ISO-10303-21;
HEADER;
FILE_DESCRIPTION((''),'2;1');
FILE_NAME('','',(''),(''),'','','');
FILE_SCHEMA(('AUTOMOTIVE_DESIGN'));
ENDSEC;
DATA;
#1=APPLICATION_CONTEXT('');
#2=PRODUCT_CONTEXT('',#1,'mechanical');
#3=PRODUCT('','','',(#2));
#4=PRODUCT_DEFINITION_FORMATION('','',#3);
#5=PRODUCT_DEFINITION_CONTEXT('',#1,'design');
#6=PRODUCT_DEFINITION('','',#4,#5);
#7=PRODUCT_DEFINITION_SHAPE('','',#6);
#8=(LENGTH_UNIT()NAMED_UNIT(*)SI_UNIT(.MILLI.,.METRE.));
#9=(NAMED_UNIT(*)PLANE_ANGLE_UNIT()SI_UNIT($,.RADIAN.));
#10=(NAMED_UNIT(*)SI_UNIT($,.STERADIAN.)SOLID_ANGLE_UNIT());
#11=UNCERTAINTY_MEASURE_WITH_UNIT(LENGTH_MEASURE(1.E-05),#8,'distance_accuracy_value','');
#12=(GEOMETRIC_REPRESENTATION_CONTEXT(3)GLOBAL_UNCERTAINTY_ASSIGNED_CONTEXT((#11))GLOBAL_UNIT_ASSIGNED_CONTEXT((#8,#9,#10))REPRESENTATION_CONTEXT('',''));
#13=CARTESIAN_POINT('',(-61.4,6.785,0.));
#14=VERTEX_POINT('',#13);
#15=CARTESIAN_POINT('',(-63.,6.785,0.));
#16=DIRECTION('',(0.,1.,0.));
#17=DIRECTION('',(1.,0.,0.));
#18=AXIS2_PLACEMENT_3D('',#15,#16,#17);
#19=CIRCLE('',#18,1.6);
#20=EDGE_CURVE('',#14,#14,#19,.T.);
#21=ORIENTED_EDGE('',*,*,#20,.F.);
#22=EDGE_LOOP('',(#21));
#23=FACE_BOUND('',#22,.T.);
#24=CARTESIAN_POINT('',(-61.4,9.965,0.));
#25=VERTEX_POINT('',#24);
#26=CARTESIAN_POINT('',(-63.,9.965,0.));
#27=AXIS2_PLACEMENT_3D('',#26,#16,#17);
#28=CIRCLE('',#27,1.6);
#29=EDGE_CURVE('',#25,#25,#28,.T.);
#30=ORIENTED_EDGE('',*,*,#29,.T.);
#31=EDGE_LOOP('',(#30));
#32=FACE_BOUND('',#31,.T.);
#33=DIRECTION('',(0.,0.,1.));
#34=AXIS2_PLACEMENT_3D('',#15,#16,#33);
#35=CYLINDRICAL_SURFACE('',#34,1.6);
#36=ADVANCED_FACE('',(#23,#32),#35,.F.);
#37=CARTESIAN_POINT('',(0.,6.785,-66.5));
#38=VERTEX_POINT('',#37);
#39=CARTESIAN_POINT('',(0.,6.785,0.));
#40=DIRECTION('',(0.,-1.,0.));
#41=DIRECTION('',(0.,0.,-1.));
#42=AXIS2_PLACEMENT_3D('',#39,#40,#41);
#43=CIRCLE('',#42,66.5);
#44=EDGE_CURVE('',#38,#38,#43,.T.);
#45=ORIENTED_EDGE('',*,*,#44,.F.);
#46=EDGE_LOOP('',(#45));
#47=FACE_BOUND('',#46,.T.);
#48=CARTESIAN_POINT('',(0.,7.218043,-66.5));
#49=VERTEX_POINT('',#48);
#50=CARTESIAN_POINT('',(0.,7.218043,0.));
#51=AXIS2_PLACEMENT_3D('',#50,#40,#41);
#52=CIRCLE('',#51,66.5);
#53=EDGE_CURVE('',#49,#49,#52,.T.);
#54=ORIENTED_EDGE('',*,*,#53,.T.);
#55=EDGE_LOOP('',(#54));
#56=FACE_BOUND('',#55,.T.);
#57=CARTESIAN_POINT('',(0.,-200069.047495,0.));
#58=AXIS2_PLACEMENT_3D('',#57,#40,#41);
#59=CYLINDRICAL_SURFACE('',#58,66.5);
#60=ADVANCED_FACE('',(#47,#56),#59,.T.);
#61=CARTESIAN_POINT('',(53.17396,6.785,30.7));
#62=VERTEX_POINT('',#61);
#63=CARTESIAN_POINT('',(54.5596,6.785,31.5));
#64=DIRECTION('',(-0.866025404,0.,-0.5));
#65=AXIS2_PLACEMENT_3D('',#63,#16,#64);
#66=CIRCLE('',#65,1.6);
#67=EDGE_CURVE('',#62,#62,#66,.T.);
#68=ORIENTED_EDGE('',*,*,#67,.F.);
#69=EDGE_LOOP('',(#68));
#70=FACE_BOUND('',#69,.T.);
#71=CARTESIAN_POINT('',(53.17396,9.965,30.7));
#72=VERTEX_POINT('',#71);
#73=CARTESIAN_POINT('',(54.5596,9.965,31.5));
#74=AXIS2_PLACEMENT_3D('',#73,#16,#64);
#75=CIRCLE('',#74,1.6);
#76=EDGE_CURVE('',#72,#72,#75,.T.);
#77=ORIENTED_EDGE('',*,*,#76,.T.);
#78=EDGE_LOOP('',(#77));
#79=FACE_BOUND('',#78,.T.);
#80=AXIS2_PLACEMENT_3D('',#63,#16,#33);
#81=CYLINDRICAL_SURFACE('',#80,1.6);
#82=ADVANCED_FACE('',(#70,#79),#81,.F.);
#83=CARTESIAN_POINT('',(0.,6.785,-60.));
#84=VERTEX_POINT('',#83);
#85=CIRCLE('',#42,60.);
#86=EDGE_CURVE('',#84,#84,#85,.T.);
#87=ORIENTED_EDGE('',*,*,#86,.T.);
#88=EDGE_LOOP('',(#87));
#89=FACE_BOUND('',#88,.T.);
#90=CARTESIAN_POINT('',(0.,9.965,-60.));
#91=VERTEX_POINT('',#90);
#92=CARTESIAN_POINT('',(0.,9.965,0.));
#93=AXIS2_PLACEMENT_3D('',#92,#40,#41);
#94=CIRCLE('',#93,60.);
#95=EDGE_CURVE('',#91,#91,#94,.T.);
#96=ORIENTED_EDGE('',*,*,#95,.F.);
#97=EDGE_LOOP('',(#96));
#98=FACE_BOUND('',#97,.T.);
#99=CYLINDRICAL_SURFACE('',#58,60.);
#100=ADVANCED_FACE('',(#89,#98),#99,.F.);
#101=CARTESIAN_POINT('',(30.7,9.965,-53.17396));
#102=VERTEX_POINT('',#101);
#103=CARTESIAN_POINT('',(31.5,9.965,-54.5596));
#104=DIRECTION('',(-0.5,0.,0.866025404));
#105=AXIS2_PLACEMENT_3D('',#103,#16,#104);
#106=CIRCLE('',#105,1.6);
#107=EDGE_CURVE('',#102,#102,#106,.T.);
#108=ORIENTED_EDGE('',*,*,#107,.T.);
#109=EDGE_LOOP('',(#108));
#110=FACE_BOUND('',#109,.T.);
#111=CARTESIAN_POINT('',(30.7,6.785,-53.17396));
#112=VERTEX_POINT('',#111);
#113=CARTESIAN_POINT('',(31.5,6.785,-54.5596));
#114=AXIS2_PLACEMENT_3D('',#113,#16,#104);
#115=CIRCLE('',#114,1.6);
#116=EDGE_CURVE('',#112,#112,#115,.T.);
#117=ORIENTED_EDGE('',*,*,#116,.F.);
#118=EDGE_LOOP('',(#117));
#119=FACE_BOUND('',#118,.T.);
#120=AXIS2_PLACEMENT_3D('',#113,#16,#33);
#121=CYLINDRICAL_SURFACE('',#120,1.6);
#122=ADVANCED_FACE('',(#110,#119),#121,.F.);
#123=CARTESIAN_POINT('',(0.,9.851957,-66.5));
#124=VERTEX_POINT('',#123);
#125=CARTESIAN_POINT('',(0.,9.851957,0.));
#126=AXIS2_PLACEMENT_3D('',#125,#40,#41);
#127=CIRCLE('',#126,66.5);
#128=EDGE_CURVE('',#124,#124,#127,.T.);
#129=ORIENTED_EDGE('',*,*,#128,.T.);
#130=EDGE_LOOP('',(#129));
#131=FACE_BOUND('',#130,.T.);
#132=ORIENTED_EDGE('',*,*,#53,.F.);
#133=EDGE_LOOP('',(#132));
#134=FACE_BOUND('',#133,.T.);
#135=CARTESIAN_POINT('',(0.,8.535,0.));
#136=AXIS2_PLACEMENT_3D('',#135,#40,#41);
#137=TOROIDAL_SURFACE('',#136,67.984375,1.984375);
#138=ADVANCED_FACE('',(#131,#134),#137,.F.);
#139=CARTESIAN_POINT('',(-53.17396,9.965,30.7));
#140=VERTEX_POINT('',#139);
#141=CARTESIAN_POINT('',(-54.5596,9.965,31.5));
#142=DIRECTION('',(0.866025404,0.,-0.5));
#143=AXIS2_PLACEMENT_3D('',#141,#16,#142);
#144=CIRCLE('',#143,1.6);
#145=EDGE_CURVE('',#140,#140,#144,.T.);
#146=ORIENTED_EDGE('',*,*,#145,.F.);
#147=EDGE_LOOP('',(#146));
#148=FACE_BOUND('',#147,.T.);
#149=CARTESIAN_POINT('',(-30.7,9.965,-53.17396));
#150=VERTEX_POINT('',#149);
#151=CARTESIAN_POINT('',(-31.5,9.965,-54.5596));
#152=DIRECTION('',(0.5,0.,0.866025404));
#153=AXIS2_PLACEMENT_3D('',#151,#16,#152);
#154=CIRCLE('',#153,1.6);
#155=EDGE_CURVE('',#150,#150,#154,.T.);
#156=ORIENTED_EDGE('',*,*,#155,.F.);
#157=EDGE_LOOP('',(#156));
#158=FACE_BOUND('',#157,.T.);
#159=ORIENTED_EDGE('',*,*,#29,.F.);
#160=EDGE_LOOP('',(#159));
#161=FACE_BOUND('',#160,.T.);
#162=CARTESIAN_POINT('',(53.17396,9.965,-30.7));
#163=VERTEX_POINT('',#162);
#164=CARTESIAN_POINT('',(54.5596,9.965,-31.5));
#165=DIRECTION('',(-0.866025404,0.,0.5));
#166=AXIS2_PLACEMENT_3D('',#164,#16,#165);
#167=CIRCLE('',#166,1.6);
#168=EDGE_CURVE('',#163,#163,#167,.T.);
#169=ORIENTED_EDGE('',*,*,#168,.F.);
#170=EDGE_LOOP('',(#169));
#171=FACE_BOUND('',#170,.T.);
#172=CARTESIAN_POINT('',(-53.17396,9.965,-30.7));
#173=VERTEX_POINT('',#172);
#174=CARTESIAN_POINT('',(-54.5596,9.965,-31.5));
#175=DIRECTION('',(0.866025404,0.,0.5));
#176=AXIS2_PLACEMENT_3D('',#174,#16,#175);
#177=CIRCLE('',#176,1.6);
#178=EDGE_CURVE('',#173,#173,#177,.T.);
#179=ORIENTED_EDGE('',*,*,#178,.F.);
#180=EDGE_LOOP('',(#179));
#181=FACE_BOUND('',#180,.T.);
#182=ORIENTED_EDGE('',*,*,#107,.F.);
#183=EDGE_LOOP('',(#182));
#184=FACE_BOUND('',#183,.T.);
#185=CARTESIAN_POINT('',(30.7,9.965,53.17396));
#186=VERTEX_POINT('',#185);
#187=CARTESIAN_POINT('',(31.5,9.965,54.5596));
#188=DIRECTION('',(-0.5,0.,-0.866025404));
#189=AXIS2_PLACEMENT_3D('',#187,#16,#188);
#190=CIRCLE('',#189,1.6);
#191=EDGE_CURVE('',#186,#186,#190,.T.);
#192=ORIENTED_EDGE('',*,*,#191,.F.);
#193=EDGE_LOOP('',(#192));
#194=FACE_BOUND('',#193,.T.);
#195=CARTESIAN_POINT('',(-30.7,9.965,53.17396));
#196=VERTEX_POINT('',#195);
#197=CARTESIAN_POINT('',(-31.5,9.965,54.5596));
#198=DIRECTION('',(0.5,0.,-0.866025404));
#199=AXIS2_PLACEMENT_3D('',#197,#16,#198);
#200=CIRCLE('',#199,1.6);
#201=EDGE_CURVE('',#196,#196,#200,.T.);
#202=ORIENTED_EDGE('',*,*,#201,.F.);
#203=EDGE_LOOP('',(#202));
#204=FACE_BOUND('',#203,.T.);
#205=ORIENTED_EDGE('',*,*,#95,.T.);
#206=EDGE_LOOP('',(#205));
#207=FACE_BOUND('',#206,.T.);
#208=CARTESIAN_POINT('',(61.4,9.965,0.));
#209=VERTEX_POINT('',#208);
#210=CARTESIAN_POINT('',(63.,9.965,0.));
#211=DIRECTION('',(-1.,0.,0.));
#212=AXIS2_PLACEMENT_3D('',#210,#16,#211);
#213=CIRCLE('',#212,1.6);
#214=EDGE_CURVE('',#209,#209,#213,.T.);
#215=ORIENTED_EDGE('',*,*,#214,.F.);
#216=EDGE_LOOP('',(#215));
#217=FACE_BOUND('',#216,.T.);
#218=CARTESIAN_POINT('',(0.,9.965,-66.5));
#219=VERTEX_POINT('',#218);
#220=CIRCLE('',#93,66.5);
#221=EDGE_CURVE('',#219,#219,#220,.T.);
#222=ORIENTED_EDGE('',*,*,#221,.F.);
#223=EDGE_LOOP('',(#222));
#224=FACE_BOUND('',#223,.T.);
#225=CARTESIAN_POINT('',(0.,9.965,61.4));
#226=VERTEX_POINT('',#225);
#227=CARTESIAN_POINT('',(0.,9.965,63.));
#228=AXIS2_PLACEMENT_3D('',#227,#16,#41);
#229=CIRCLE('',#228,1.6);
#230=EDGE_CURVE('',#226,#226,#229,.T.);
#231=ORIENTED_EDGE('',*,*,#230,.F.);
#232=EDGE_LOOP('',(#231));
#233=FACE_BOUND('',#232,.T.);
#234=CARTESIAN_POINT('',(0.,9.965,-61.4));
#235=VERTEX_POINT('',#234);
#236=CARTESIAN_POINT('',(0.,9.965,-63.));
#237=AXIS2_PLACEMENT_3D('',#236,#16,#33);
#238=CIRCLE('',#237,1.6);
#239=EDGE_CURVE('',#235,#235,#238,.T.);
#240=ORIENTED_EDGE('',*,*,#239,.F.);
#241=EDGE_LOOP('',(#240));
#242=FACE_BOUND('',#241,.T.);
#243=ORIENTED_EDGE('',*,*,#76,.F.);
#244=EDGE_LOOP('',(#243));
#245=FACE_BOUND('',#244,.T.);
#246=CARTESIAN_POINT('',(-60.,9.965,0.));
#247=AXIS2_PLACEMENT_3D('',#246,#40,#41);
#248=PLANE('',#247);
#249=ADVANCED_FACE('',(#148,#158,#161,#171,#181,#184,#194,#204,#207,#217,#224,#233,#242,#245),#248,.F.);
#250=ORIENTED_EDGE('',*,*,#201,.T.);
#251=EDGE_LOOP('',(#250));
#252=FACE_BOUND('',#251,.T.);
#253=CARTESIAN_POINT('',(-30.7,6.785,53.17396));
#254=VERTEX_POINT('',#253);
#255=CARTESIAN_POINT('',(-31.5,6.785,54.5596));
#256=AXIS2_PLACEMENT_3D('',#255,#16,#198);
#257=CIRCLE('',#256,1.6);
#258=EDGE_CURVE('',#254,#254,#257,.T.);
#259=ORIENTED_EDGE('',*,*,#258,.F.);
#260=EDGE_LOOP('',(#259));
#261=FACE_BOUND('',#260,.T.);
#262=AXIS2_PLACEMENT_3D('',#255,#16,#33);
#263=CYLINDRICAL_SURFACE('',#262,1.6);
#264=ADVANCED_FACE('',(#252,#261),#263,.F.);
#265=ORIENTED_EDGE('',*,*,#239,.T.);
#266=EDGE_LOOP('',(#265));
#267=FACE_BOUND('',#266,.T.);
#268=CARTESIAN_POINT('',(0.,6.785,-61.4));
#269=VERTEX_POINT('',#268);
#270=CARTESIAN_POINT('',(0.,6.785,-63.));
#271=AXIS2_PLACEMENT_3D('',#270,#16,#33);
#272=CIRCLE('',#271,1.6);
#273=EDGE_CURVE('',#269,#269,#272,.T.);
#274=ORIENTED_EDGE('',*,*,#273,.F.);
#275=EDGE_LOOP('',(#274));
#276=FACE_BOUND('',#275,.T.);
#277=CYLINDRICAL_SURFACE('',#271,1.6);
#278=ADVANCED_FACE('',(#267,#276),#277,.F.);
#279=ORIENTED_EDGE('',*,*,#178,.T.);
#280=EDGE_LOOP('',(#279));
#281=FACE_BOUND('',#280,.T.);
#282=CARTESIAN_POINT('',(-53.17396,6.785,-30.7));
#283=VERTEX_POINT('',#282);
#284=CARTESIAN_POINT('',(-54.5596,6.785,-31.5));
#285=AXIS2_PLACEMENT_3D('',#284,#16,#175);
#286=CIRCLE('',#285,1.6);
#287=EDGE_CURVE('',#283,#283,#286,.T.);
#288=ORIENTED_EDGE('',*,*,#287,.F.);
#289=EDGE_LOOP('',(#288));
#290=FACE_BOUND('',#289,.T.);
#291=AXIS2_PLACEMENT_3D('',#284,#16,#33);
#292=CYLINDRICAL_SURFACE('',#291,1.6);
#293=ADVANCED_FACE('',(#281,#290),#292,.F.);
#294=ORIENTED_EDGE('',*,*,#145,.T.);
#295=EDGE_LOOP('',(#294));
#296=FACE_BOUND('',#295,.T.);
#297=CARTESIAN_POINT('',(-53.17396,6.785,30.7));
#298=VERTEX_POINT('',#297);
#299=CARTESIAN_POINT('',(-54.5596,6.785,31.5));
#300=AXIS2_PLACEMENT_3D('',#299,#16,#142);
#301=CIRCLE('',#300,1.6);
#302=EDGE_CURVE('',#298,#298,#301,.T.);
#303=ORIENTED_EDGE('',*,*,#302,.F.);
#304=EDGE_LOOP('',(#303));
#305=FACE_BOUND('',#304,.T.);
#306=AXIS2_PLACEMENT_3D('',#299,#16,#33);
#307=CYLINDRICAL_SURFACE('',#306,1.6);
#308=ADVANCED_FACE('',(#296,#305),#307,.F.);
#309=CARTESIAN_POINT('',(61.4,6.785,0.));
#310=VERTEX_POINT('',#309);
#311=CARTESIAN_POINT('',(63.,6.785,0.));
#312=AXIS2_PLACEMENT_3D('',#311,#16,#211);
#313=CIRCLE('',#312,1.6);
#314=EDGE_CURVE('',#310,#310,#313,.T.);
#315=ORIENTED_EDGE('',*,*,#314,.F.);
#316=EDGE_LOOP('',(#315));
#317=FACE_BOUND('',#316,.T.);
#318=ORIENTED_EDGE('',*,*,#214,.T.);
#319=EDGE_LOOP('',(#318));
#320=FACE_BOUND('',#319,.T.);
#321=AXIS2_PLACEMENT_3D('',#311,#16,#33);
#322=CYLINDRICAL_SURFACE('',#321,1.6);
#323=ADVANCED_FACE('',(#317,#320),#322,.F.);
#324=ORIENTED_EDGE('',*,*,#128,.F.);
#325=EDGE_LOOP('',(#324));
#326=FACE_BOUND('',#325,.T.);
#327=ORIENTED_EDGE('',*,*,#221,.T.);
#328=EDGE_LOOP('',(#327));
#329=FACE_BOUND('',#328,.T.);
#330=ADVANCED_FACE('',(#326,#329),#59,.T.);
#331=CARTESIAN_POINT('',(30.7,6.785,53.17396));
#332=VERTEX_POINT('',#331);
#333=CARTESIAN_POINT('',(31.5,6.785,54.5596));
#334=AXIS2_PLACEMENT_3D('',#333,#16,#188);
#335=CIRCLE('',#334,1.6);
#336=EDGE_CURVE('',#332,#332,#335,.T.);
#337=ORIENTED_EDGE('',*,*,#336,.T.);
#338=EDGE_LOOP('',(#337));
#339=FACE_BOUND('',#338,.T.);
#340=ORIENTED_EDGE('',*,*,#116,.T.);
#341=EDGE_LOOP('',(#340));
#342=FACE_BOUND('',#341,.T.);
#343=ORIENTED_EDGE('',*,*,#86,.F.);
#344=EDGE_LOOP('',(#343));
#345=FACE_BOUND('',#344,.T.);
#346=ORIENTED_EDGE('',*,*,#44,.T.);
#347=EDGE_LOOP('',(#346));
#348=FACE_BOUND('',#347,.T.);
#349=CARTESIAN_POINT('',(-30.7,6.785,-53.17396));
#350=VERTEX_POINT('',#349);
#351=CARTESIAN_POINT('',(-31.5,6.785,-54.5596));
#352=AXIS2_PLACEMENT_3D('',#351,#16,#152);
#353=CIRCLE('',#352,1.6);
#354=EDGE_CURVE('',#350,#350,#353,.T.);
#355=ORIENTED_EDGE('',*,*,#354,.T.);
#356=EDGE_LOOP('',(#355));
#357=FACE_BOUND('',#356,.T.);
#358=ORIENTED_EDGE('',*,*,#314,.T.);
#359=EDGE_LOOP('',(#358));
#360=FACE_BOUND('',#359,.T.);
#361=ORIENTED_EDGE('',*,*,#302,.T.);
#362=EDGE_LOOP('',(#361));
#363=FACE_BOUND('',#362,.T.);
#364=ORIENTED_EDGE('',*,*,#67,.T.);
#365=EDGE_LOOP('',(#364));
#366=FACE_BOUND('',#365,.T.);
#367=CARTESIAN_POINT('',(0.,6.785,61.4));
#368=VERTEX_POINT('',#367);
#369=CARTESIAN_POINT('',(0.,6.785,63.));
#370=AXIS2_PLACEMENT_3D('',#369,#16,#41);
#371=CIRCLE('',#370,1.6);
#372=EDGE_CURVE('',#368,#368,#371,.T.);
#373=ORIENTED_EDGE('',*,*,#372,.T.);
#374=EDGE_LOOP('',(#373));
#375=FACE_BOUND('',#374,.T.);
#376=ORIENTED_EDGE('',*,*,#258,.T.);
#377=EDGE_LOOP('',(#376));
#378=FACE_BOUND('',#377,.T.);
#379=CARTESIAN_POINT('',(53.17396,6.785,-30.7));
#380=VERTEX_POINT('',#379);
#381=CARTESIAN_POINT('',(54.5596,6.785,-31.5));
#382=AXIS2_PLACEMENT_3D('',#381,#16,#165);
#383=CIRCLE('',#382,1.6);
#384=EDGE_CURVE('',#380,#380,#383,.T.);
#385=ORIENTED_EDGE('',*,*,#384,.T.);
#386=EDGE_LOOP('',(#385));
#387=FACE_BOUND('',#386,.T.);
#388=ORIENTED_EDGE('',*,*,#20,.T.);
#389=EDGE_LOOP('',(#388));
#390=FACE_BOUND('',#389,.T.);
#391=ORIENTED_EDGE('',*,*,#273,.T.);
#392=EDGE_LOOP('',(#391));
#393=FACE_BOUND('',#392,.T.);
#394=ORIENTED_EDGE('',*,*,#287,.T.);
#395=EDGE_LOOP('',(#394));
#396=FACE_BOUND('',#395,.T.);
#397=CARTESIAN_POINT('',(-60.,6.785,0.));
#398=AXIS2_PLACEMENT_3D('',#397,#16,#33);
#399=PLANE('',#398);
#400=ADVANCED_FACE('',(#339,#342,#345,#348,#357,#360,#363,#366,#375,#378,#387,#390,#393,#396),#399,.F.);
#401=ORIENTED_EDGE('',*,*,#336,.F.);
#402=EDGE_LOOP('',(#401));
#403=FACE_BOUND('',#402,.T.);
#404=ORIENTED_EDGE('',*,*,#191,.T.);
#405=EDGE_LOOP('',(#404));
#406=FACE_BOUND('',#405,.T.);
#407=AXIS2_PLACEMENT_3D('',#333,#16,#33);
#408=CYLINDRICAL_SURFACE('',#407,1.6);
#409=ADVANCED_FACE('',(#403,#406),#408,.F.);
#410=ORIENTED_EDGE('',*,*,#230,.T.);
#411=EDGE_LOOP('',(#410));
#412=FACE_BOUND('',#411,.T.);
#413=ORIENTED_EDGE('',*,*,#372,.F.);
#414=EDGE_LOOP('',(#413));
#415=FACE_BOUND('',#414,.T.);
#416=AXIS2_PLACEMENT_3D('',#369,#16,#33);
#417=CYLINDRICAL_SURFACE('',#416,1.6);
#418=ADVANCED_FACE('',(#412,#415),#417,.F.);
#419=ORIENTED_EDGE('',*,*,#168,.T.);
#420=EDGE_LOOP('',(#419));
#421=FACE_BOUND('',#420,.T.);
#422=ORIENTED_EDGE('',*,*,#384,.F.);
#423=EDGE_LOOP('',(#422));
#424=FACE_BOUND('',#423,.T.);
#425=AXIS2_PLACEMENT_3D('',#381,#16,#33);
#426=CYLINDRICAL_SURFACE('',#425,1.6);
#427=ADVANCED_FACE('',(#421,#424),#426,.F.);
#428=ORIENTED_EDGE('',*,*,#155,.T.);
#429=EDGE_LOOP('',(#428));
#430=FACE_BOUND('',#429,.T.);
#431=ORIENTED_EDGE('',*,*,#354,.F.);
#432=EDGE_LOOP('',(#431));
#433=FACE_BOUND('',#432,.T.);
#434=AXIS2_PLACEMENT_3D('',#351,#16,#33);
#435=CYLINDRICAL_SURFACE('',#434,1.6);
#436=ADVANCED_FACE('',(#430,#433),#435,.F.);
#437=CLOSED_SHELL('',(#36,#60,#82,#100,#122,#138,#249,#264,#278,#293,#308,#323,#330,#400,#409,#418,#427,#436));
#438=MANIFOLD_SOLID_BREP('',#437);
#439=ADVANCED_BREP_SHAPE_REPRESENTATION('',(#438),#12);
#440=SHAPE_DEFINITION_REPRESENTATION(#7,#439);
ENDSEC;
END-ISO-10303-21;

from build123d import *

# Parameters (mm, degrees)
SKETCH3_R          = 1.6
CUT_EXTRUDE1_DEPTH = 95.098950047
CIRPATTERN1_COUNT  = 12


with BuildPart() as part:
    # Sketch1 → Revolve1 (revolve)
    with BuildSketch(Plane.XY, mode=Mode.PRIVATE) as revolve1_sk:
        with BuildLine():
            Line((-66.5, 9.851956719), (-66.5, 9.965))
            Line((-66.5, 9.965), (-60, 9.965))
            Line((-60, 9.965), (-60, 6.785))
            Line((-60, 6.785), (-66.5, 6.785))
            Line((-66.5, 6.785), (-66.5, 7.218043281))
            ThreePointArc((-66.5, 7.218043281), (-66, 8.535), (-66.5, 9.851956719))
        make_face()
    revolve(revolve1_sk.sketch.rotate(Axis((0, -200069.047495165, 0), (0, 1, 0)), 270), axis=Axis((0, -200069.047495165, 0), (0, 1, 0)))

    # Sketch3 → Cut-Extrude1 (cut, through all)
    with BuildSketch(Plane(origin=(0, 9.965, 0), x_dir=(1, 0, 0), z_dir=(0, 1, 0))):
        with Locations(Location((0, 63, 0), (0, 0, 270))):
            Circle(SKETCH3_R)
    cut_extrude1 = extrude(amount=-CUT_EXTRUDE1_DEPTH, mode=Mode.SUBTRACT)

    # CirPattern1: Cut-Extrude1 ×12 about axis
    cirpattern1_axis = Axis((0, 0, 0), (0, 1, 0))
    for i in range(1, CIRPATTERN1_COUNT):
        add(cut_extrude1.rotate(cirpattern1_axis, i * 360 / CIRPATTERN1_COUNT), mode=Mode.SUBTRACT)


solid = part.part
